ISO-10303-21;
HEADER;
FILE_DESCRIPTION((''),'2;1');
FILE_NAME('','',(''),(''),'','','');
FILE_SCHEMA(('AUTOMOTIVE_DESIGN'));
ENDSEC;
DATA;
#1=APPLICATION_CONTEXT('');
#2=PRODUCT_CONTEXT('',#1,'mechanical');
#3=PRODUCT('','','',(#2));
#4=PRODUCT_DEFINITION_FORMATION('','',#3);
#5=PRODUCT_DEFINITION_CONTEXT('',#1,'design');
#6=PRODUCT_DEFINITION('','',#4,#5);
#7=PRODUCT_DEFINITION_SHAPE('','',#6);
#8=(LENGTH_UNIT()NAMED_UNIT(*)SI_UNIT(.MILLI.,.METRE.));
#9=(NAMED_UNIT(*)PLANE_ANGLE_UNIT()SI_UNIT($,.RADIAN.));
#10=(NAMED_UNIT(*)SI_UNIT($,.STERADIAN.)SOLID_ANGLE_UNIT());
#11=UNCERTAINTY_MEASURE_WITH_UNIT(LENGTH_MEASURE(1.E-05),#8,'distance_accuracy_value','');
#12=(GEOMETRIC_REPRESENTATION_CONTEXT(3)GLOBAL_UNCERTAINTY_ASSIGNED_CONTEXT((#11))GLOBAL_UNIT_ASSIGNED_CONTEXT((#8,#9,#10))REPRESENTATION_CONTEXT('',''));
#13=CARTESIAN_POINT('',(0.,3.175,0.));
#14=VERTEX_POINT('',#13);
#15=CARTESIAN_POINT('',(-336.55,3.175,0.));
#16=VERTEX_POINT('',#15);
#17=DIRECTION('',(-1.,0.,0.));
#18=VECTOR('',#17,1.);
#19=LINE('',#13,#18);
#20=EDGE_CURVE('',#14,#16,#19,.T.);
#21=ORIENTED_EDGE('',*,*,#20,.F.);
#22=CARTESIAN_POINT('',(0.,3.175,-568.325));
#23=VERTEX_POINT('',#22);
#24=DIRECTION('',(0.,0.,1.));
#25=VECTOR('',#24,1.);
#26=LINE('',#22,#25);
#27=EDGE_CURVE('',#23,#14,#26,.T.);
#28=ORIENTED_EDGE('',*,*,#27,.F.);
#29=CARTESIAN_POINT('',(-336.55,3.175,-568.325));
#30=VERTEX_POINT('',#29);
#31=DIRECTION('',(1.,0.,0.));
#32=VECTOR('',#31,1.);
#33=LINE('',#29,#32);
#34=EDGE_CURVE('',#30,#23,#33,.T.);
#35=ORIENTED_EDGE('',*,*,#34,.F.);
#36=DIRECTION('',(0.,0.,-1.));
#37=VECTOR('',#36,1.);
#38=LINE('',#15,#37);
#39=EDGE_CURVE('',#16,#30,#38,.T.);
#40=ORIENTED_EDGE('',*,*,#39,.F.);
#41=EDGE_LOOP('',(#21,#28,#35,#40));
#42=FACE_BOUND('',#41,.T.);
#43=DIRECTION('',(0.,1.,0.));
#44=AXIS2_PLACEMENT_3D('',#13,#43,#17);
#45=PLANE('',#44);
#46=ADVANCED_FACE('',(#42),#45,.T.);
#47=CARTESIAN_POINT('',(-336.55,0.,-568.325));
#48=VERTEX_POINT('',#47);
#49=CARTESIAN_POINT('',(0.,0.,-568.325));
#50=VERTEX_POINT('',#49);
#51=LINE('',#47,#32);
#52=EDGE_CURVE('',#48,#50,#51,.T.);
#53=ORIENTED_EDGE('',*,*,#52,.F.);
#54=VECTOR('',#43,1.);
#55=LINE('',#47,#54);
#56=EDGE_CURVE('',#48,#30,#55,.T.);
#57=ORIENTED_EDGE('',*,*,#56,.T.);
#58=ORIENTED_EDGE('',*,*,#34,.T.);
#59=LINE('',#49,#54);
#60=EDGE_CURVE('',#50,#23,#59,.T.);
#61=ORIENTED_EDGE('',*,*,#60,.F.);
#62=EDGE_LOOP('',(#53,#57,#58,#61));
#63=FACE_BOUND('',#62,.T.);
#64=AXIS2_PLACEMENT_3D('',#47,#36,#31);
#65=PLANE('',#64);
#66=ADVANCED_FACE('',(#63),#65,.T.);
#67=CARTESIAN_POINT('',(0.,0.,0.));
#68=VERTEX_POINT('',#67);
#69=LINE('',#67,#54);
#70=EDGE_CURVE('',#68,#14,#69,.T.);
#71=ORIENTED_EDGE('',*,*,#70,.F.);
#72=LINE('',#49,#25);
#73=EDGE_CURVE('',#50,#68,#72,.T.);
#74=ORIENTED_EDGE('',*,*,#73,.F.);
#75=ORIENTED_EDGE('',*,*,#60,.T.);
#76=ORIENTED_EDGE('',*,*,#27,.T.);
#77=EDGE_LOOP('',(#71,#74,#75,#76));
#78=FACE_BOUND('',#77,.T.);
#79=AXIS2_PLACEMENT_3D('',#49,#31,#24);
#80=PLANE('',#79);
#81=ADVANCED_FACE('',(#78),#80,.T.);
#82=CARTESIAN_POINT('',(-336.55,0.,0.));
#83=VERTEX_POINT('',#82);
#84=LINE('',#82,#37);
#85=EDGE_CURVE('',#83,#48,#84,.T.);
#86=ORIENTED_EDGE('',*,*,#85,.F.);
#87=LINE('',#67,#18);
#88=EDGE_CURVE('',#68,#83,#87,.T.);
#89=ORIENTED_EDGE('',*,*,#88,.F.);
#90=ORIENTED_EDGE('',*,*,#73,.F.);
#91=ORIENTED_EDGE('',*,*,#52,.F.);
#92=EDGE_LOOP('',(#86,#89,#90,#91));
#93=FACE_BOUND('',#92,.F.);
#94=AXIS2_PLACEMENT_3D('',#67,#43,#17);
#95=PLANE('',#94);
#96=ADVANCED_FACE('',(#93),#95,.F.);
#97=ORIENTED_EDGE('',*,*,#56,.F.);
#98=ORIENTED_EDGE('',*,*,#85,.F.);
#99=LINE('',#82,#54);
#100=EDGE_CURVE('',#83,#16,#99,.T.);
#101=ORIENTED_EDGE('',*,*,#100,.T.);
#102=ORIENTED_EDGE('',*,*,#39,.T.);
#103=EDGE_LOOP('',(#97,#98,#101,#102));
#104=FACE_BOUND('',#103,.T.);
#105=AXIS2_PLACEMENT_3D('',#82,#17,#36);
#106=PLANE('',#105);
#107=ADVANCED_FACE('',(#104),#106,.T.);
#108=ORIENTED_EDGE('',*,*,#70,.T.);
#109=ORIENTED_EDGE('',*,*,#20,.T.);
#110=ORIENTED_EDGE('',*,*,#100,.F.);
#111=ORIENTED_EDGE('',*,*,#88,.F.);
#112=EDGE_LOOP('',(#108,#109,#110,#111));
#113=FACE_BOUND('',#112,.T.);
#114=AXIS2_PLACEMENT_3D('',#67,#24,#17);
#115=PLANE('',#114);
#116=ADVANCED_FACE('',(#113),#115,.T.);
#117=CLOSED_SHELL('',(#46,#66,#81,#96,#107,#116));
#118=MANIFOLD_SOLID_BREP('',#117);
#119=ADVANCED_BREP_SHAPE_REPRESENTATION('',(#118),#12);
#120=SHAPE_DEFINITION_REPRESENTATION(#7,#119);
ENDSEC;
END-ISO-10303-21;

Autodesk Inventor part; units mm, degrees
ref_plane "YZ Plane" through (0, 0, 0) normal (1, 0, 0) x (0, 1, 0)
ref_plane "XZ Plane" through (0, 0, 0) normal (0, 1, 0) x (-1, 0, 0)
ref_plane "XY Plane" through (0, 0, 0) normal (0, 0, 1) x (1, 0, 0)
sketch "Sketch1" plane through (0, 0, 0) normal (0, 1, 0) x (-1, 0, 0)
  line L0 (0, 0) -> (336.55, 0)
  line L1 (336.55, 0) -> (336.55, -568.325)
  line L2 (336.55, -568.325) -> (0, -568.325)
  line L3 (0, -568.325) -> (0, 0)
  dimension "d0" = 336.55
  dimension "d1" = 568.325
extrude "Extrusion1" add sketch "Sketch1" along normal blind 3.175
properties part number "Shingle_With_Dimensions_13.25_x_22.375_Inches"
